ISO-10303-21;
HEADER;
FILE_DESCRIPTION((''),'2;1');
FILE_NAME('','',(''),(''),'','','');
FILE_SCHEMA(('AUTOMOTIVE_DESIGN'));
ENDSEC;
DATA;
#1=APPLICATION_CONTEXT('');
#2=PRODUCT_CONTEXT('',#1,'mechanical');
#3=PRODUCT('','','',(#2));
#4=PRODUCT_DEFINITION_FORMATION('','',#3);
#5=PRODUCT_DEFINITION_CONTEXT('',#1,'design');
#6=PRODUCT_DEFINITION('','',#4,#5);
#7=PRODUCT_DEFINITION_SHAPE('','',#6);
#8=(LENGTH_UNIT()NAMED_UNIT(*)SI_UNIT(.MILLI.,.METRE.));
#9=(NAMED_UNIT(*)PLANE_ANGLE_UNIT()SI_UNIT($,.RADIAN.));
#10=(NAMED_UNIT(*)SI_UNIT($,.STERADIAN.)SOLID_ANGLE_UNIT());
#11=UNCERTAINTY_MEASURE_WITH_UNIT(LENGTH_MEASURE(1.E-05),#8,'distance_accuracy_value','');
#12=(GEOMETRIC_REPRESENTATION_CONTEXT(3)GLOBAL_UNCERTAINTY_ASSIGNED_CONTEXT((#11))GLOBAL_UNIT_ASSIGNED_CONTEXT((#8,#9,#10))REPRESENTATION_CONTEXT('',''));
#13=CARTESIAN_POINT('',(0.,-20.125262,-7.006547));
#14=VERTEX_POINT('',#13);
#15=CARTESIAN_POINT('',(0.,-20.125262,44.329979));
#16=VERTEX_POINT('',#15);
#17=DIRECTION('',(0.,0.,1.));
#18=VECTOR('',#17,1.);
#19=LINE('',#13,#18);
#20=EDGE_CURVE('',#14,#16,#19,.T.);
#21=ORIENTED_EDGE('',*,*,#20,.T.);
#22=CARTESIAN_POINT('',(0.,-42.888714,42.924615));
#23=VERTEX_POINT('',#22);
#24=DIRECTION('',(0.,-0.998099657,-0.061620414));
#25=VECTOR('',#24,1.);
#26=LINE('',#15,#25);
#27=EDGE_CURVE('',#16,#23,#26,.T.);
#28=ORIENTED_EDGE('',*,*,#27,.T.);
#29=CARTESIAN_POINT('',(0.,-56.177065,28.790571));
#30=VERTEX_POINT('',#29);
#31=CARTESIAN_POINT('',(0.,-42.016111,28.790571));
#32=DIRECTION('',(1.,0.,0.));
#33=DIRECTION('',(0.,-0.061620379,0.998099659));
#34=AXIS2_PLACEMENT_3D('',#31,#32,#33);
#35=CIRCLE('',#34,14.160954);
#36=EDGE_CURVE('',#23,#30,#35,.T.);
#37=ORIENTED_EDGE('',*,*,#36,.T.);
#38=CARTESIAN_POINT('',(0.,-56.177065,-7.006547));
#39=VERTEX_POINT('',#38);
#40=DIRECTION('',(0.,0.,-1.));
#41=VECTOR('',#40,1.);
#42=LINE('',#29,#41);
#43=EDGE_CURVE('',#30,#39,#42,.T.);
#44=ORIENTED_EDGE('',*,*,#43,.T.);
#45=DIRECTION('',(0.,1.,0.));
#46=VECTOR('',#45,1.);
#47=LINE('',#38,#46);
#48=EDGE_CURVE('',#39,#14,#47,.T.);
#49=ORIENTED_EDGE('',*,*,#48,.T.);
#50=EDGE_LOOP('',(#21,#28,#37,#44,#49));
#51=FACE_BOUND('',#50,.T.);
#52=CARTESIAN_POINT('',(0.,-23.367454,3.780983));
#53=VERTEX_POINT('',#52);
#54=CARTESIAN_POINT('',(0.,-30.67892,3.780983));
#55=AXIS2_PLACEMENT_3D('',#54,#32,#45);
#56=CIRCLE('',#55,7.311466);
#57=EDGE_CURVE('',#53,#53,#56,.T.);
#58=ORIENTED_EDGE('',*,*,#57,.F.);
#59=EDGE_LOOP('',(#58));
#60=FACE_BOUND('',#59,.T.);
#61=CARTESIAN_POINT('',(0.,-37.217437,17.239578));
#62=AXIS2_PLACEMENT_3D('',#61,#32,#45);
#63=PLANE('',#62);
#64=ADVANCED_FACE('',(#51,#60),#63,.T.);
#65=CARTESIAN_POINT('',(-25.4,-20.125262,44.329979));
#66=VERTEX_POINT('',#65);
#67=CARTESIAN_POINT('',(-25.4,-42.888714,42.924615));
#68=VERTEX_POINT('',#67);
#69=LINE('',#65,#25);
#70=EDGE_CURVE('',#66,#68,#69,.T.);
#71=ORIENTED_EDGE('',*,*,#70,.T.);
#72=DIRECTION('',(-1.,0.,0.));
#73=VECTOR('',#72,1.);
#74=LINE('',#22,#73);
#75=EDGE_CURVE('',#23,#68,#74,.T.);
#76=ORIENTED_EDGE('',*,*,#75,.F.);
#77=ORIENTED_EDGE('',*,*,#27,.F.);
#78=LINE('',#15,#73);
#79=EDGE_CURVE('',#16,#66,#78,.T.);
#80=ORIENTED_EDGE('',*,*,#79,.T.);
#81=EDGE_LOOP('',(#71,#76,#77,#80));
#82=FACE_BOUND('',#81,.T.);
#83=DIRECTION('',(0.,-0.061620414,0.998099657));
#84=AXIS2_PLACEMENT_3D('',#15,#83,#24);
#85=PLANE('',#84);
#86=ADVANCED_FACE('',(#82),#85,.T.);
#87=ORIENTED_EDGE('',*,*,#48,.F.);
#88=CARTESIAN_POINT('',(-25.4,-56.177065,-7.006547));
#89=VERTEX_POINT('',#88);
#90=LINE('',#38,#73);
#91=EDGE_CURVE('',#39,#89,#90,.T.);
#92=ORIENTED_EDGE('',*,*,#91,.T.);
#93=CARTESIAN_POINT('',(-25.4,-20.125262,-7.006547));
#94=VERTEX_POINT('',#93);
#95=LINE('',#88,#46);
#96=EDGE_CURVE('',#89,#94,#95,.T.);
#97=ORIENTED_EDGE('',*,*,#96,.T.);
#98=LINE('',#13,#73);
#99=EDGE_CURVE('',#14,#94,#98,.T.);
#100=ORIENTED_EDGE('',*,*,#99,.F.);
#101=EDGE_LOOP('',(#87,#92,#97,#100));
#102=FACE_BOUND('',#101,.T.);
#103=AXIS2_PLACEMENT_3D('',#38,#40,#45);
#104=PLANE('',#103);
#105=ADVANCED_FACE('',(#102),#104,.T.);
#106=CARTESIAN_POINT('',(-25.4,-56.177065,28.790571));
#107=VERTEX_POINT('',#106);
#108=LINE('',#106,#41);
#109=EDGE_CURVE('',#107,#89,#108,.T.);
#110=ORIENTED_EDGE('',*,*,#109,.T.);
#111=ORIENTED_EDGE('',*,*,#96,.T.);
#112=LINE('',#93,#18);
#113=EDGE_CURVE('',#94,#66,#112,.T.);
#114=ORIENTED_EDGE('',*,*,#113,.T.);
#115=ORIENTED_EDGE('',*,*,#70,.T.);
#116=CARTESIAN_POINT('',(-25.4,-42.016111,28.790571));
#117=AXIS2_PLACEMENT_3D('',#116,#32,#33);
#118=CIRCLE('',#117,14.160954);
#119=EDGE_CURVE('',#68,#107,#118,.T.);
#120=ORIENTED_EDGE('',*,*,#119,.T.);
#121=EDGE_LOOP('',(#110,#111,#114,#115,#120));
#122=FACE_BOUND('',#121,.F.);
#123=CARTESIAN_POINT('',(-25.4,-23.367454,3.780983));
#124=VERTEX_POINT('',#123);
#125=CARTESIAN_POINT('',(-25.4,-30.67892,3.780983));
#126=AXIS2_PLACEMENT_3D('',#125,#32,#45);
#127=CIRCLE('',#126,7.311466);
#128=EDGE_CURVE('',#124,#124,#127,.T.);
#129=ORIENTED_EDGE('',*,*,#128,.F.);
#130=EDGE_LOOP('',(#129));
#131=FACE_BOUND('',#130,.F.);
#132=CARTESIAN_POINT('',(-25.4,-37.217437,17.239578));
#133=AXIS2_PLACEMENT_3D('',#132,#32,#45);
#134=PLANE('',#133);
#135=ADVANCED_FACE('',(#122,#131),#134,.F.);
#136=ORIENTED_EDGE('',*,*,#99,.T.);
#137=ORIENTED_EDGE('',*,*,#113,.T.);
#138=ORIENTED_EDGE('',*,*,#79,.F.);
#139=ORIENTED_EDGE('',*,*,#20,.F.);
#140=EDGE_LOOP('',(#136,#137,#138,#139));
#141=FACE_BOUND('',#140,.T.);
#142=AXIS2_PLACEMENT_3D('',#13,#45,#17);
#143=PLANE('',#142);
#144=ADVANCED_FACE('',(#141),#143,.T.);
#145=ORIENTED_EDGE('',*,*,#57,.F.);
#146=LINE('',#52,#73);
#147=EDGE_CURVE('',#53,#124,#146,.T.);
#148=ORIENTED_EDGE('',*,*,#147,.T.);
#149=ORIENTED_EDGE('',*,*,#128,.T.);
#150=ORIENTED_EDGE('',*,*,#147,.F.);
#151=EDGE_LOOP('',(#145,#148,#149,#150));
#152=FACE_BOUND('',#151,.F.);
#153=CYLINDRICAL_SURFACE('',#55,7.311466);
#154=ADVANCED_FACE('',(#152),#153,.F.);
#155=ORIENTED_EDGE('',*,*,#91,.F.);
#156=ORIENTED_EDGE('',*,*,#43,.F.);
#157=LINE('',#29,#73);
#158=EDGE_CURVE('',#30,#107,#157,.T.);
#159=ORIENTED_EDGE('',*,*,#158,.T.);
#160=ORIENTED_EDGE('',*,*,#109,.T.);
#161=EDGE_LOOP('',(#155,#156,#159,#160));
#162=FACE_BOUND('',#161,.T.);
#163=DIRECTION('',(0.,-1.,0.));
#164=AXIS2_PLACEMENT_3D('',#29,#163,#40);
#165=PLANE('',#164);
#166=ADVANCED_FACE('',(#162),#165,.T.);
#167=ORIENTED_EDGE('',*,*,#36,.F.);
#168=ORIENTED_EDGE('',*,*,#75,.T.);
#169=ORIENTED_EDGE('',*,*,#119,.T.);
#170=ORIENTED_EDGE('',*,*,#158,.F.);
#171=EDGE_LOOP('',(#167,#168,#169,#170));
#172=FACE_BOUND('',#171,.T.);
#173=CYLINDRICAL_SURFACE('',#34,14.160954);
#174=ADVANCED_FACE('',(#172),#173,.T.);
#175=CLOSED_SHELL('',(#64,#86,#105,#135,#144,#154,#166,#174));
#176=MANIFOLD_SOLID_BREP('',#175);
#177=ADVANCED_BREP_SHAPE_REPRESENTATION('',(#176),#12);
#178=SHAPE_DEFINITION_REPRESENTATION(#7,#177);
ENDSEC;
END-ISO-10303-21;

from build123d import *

# Parameters (mm, degrees)
F1_DEPTH = 25.4
F2_R     = 7.311466
F3_DEPTH = 25.4


with BuildPart() as f1:
    # F0 (on Right) → F1 (new body)
    with BuildSketch(Plane.YZ):
        with BuildLine():
            ThreePointArc((-42.888714, 42.924615), (-52.333318, 38.490461), (-56.177065, 28.790571))
            Line((-56.177065, 28.790571), (-56.177065, -7.006547))
            Line((-56.177065, -7.006547), (-20.125262, -7.006547))
            Line((-20.125262, -7.006547), (-20.125262, 44.329979))
            Line((-20.125262, 44.329979), (-42.888714, 42.924615))
        make_face()
    extrude(amount=-F1_DEPTH)

    # F2 (on Right) → F3 (cut)
    with BuildSketch(Plane.YZ):
        with Locations((-30.67892, 3.780983)):
            Circle(F2_R)
    extrude(amount=-F3_DEPTH, mode=Mode.SUBTRACT)


solid = f1.part
